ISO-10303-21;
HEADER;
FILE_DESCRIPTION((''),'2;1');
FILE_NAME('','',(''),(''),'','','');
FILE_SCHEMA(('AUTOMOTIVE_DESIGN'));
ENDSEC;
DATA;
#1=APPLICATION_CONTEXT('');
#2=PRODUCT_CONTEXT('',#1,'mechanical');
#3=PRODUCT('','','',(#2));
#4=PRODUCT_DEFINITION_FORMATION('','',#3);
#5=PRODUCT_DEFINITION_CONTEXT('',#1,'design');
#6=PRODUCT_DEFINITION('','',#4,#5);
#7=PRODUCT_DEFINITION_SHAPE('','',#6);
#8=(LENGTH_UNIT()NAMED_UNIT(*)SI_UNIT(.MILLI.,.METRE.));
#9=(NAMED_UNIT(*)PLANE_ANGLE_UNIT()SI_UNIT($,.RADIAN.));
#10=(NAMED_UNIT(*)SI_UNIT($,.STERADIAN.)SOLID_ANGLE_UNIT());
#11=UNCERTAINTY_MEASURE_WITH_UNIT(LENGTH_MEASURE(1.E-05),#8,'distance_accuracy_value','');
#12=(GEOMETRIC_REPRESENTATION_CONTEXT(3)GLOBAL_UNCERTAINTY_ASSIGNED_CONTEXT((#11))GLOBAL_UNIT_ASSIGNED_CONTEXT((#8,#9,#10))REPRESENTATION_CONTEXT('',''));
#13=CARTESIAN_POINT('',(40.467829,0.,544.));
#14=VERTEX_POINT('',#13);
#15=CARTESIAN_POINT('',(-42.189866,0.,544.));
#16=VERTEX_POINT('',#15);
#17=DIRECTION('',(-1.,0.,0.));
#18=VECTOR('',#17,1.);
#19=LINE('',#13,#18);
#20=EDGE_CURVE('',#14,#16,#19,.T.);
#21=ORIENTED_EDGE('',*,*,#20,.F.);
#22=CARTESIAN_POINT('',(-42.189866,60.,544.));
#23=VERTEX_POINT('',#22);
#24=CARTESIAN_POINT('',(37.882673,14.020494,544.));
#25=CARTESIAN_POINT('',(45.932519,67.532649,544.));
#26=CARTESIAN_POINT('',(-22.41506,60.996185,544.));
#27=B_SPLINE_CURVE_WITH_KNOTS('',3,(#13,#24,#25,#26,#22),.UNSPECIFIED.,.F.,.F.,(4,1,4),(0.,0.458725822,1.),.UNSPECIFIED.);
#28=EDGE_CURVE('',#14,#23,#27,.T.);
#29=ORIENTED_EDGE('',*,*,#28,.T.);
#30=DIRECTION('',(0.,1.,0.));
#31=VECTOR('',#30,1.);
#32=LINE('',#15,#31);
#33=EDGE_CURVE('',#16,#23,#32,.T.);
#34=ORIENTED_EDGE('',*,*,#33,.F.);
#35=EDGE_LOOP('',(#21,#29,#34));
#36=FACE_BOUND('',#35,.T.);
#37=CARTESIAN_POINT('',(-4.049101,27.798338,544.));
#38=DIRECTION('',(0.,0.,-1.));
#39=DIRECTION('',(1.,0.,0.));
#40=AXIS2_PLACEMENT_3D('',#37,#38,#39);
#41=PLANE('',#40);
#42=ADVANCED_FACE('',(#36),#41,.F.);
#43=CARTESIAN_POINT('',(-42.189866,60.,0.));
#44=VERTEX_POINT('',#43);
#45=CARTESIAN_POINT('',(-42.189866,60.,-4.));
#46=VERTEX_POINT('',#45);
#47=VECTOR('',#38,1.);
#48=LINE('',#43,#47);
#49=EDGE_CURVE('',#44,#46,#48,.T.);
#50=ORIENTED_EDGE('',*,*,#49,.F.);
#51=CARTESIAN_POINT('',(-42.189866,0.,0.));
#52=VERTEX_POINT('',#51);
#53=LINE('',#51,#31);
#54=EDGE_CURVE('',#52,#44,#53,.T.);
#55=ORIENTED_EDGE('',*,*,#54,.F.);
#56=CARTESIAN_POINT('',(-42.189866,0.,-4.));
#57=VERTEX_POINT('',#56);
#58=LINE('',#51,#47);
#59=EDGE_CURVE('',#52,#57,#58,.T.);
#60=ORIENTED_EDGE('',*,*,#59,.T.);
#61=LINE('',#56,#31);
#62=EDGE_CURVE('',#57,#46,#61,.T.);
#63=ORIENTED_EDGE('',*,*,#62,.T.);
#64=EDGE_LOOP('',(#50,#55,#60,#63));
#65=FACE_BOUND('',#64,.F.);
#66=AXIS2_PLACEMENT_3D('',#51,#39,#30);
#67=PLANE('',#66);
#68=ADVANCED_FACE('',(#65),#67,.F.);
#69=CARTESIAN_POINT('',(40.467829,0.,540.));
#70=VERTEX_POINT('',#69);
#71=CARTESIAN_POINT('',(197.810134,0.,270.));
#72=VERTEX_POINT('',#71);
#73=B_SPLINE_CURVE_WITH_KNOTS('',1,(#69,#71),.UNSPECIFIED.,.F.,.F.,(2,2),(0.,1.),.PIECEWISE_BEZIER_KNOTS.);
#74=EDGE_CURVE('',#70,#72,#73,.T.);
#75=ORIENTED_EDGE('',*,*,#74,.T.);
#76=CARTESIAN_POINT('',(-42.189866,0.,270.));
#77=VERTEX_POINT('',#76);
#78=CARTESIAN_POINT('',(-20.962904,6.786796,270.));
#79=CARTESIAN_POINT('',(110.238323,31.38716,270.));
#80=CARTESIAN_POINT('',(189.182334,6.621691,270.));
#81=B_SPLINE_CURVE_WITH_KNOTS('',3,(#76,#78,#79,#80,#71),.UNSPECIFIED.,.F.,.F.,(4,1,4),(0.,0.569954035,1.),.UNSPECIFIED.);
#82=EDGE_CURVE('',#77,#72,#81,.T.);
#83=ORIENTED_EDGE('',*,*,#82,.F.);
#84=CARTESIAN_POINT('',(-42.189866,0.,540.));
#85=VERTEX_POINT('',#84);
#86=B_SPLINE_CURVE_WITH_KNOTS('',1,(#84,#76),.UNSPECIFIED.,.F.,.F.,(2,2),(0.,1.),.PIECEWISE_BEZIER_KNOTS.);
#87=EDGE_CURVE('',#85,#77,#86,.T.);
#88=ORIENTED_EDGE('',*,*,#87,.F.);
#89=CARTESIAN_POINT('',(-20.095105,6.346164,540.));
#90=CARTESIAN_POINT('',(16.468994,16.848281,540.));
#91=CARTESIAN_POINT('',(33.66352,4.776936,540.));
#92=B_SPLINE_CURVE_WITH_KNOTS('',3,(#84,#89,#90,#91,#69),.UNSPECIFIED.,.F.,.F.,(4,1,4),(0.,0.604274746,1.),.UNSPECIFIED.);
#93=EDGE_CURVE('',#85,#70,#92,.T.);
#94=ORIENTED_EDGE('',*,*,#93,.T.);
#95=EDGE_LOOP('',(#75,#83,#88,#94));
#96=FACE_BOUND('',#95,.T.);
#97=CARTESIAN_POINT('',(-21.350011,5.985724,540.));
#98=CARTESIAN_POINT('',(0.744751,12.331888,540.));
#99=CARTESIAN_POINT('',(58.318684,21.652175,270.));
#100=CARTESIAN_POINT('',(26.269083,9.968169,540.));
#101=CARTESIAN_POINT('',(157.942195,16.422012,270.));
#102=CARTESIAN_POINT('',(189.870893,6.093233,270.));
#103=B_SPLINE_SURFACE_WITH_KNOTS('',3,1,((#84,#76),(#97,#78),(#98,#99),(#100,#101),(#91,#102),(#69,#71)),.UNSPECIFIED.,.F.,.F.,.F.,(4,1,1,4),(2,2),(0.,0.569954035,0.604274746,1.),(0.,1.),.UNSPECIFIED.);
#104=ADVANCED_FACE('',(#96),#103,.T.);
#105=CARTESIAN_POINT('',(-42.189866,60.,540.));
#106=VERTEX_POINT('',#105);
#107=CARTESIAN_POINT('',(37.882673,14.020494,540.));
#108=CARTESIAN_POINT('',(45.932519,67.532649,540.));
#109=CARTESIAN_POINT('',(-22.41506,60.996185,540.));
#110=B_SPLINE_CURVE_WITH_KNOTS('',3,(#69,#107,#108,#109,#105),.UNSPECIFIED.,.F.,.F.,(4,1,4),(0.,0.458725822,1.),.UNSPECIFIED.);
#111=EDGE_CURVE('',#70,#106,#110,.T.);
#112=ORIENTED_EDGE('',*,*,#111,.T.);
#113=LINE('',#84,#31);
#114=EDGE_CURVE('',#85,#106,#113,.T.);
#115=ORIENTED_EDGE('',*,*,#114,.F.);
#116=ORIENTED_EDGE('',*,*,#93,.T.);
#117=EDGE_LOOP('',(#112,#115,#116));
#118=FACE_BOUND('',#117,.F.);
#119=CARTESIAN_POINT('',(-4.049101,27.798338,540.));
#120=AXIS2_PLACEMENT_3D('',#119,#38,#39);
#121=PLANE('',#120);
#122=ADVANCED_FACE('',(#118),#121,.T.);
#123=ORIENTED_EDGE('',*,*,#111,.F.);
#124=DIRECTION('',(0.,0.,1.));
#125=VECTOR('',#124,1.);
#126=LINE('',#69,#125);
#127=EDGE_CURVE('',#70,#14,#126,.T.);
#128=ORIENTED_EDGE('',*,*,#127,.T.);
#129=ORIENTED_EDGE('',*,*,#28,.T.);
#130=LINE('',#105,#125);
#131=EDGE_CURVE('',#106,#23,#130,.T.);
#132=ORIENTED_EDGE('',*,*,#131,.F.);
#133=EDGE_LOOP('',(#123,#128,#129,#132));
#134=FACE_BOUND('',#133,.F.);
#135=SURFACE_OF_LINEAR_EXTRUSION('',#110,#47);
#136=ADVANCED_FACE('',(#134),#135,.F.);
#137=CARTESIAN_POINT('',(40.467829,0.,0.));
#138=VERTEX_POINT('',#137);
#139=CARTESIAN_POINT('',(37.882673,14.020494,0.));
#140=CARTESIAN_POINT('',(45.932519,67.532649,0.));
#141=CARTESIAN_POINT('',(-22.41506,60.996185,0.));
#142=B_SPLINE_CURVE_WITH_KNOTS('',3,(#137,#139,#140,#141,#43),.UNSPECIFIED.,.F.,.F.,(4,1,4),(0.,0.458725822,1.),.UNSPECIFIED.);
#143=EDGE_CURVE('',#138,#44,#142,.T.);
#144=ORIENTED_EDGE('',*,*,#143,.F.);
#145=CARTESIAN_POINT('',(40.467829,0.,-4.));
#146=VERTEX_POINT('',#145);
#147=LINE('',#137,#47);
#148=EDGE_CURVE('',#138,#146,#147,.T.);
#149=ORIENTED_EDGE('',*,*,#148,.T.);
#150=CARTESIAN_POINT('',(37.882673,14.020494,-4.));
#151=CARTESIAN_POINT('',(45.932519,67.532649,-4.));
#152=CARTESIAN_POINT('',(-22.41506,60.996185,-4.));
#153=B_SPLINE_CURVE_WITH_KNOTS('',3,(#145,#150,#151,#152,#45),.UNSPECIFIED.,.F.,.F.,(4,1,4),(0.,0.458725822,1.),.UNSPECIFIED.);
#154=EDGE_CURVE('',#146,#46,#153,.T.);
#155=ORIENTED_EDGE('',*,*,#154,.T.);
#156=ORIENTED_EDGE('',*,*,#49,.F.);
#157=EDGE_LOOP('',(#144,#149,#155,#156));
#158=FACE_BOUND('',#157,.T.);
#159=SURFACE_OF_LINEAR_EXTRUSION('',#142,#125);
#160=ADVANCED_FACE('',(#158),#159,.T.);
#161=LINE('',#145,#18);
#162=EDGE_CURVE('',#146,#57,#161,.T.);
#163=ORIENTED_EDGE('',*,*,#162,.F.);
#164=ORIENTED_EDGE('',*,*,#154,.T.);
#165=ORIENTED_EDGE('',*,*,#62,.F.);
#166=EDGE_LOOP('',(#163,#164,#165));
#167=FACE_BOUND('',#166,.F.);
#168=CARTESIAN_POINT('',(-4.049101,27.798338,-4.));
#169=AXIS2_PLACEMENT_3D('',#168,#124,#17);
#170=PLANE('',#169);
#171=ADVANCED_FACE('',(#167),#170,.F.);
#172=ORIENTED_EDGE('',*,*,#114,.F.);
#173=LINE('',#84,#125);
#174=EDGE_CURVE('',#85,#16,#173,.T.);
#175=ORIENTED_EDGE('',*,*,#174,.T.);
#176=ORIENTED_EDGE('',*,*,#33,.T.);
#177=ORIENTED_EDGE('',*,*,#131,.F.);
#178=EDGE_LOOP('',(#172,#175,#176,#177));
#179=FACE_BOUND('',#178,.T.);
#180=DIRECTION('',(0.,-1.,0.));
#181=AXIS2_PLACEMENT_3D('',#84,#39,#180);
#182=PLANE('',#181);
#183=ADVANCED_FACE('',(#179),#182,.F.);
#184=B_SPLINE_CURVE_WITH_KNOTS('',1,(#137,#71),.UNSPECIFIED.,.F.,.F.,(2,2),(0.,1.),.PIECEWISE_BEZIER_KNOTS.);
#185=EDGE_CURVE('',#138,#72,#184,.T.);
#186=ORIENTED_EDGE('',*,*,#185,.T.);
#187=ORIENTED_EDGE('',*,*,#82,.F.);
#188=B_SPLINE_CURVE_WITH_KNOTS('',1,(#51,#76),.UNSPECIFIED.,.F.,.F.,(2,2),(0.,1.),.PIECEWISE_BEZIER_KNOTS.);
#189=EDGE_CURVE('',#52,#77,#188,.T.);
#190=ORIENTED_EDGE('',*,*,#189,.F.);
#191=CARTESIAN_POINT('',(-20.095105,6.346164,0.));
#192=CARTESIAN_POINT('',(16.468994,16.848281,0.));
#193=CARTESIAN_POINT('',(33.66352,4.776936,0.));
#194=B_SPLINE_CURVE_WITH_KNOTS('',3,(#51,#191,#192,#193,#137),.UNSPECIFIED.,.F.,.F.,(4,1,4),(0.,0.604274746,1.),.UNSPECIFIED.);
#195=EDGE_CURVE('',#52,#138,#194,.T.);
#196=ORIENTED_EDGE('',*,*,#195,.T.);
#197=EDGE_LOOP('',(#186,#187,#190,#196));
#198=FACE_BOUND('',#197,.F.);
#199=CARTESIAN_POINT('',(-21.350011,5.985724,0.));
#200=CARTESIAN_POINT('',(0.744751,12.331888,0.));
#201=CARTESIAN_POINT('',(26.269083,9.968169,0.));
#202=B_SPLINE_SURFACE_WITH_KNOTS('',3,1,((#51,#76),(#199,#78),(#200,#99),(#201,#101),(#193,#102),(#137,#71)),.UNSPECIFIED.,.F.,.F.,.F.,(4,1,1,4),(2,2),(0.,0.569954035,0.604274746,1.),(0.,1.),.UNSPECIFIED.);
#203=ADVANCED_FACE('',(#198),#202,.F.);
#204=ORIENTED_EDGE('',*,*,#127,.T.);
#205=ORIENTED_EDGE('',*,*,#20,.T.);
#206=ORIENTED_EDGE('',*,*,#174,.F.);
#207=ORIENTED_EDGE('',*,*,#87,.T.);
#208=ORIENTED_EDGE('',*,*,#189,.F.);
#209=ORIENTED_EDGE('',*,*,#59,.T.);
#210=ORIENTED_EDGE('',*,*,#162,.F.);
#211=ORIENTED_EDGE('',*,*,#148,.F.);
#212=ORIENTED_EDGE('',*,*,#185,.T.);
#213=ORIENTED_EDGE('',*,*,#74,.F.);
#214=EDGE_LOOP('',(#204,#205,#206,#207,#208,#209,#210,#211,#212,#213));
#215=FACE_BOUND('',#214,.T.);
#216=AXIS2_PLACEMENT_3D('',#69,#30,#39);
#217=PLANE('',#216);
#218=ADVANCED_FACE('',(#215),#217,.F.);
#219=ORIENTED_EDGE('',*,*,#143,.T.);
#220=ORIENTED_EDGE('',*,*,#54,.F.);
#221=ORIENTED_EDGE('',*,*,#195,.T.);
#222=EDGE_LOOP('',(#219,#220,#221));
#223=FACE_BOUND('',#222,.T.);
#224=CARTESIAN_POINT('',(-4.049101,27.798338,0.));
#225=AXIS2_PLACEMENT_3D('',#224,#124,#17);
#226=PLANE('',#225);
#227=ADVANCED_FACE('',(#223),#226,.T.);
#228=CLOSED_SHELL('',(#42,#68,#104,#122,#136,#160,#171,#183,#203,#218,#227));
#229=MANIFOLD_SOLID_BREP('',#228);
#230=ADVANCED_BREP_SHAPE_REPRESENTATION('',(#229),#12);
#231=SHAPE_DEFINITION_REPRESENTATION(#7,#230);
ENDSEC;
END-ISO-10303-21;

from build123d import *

# Parameters (mm, degrees)
F7_DEPTH = 4


with BuildPart() as f5:
    # F2 (on Top) → F5 section 0
    with BuildSketch(Plane.XY):
        with BuildLine():
            add(Edge.make_bspline(
                [(-42.1898663044, 0), (-20.095104951, 6.3461639408), (16.4689935563, 16.848280699), (33.6635201253, 4.7769359586), (40.4678285122, 0)],
                knots=[0, 0, 0, 0, 0.6042747464, 1, 1, 1, 1], degree=3))
            Line((-42.1898663044, 0), (40.4678285122, 0))
        make_face()
    # F4 (on offset) → F5 section 1
    with BuildSketch(Plane.XY.offset(270)):
        with BuildLine():
            add(Edge.make_bspline(
                [(-42.1898663044, 0), (-20.9629036859, 6.7867963825), (110.2383227264, 31.3871603736), (189.1823338107, 6.6216905533), (197.8101336956, 0)],
                knots=[0, 0, 0, 0, 0.5699540347, 1, 1, 1, 1], degree=3))
            Line((-42.1898663044, 0), (197.8101336956, 0))
        make_face()
    loft()

    # F6 (on face) → F7 (join)
    with BuildSketch(Plane(origin=(0, 0, 0), x_dir=(1, 0, 0), z_dir=(0, 0, -1))):
        with BuildLine():
            add(Edge.make_bspline(
                [(40.4678285122, 0), (37.8826727608, -14.0204940933), (45.9325195, -67.5326493396), (-22.4150604159, -60.996185377), (-42.1898663044, -60)],
                knots=[0, 0, 0, 0, 0.4587258224, 1, 1, 1, 1], degree=3))
            Line((40.4678285122, 0), (-42.1898663044, 0))
            Line((-42.1898663044, 0), (-42.1898663044, -60))
        make_face()
    extrude(amount=F7_DEPTH)

    # F8: F5 across face


with BuildPart() as f5_1:
    add(f5.part)
    add(f5.part.mirror(Plane(origin=(85.8641490602, 7.5856772393, 270), x_dir=(1, 0, 0), z_dir=(0, 0, 1))))


solid = f5_1.part
